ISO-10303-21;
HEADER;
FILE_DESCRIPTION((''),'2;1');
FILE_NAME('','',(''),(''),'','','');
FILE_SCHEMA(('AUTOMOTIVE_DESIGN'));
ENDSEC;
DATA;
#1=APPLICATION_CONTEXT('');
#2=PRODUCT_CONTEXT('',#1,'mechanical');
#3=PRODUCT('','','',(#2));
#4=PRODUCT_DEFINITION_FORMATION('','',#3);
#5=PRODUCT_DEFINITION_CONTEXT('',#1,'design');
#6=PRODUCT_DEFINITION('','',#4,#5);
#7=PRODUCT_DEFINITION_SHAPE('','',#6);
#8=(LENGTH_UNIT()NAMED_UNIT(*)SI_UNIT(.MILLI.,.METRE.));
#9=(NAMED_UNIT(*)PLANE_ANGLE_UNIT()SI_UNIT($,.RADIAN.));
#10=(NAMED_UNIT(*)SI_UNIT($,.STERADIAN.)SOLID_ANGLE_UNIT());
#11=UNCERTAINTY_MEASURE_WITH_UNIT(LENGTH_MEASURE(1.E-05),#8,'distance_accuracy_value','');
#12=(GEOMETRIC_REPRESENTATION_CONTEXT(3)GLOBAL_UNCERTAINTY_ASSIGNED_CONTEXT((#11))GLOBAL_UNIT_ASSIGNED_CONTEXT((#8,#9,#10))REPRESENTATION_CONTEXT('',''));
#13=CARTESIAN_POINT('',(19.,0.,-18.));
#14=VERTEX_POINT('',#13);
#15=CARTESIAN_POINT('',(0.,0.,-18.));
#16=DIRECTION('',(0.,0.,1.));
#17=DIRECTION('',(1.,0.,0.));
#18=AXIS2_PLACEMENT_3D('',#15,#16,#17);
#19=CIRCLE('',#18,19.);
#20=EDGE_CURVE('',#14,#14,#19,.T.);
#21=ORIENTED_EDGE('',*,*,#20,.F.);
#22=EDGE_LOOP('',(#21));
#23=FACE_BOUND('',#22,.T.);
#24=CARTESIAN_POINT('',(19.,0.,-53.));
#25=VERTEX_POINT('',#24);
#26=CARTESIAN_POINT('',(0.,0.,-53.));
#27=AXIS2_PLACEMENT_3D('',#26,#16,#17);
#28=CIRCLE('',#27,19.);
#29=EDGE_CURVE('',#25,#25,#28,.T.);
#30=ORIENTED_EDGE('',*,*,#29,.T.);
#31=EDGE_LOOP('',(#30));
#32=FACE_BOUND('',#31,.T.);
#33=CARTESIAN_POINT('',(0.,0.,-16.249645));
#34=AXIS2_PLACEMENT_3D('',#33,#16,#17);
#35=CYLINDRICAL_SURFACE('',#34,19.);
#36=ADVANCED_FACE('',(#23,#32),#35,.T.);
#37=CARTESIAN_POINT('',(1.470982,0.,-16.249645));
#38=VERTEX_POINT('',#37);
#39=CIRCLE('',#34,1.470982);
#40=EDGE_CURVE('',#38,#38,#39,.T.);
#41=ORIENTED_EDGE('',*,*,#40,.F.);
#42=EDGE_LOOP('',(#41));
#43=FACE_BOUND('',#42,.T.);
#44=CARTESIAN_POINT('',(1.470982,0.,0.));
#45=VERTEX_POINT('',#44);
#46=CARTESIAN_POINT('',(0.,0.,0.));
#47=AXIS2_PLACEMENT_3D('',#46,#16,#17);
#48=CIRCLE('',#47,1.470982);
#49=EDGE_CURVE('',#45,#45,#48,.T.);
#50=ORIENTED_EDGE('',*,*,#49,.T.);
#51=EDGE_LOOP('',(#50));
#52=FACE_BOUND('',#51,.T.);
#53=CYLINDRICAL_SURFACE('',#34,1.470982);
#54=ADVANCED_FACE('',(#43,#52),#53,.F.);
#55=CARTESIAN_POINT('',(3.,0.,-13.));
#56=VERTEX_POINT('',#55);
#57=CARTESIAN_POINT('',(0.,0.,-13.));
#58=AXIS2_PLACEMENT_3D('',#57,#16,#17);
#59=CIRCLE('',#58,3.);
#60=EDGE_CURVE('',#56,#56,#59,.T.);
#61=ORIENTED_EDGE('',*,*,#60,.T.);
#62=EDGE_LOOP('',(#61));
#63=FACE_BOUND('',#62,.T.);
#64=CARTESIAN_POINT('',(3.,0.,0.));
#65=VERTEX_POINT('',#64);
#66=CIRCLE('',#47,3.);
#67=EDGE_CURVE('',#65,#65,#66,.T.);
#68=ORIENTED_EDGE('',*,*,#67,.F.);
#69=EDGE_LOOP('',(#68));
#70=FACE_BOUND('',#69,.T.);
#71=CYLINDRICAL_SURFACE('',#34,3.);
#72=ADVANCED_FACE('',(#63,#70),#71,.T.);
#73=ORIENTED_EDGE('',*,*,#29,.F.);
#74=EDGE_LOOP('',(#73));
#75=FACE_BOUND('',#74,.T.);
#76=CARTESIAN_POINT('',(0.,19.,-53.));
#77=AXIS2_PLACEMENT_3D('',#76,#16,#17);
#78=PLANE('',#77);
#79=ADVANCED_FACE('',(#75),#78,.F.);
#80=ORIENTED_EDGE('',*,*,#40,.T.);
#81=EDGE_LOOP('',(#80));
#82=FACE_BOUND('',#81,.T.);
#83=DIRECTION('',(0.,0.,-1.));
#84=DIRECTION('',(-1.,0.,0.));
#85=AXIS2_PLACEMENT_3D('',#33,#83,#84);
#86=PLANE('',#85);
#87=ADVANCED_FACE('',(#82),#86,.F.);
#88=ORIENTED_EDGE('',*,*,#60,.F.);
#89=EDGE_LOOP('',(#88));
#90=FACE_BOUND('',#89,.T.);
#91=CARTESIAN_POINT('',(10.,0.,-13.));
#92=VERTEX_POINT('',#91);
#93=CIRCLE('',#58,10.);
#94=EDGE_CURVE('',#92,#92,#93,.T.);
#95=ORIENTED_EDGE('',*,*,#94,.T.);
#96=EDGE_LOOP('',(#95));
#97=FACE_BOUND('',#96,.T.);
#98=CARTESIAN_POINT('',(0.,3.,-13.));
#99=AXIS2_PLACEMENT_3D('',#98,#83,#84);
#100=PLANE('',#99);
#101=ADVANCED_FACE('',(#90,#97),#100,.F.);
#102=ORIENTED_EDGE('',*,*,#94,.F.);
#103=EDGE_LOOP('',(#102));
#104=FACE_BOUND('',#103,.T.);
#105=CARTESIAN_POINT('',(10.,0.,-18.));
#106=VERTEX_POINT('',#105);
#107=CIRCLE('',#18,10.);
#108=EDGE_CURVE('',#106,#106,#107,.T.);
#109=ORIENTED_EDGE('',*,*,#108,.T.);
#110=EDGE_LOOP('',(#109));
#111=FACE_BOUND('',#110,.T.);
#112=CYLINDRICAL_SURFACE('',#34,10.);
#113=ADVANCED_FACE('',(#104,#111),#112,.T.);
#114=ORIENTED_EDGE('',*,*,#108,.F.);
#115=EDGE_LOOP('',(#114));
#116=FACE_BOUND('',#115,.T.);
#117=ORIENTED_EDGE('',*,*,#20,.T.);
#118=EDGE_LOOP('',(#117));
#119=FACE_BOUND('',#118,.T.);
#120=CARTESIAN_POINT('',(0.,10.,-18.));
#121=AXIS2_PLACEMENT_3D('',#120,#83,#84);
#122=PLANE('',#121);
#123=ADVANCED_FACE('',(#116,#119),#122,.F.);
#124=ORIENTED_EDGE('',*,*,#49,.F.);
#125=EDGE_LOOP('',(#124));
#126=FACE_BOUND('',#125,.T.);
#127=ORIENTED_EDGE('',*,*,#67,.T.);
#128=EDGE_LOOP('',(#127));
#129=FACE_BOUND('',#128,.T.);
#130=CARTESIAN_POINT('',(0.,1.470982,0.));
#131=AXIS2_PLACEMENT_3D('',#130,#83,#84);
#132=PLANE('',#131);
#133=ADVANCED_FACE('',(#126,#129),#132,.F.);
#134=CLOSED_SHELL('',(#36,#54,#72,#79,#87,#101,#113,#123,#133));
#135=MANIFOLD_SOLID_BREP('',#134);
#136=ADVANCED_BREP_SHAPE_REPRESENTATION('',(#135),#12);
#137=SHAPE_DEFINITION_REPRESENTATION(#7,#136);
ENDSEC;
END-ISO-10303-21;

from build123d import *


with BuildPart() as part:
    # Sketch1 → Revolve1 (revolve)
    with BuildSketch(Plane(origin=(0, 0, 0), x_dir=(0, 0, -1), z_dir=(1, 0, 0)), mode=Mode.PRIVATE) as revolve1_sk:
        Polygon((0, 1.470982353), (0, 3), (13, 3), (13, 10), (18, 10), (18, 19), (53, 19), (53, 0), (16.249644704, 0), (16.249644704, 1.470982353), align=None)
    revolve(revolve1_sk.sketch.rotate(Axis((0, 0, -16.249644704), (0, 0, -1)), 90), axis=Axis((0, 0, -16.249644704), (0, 0, -1)))


solid = part.part
